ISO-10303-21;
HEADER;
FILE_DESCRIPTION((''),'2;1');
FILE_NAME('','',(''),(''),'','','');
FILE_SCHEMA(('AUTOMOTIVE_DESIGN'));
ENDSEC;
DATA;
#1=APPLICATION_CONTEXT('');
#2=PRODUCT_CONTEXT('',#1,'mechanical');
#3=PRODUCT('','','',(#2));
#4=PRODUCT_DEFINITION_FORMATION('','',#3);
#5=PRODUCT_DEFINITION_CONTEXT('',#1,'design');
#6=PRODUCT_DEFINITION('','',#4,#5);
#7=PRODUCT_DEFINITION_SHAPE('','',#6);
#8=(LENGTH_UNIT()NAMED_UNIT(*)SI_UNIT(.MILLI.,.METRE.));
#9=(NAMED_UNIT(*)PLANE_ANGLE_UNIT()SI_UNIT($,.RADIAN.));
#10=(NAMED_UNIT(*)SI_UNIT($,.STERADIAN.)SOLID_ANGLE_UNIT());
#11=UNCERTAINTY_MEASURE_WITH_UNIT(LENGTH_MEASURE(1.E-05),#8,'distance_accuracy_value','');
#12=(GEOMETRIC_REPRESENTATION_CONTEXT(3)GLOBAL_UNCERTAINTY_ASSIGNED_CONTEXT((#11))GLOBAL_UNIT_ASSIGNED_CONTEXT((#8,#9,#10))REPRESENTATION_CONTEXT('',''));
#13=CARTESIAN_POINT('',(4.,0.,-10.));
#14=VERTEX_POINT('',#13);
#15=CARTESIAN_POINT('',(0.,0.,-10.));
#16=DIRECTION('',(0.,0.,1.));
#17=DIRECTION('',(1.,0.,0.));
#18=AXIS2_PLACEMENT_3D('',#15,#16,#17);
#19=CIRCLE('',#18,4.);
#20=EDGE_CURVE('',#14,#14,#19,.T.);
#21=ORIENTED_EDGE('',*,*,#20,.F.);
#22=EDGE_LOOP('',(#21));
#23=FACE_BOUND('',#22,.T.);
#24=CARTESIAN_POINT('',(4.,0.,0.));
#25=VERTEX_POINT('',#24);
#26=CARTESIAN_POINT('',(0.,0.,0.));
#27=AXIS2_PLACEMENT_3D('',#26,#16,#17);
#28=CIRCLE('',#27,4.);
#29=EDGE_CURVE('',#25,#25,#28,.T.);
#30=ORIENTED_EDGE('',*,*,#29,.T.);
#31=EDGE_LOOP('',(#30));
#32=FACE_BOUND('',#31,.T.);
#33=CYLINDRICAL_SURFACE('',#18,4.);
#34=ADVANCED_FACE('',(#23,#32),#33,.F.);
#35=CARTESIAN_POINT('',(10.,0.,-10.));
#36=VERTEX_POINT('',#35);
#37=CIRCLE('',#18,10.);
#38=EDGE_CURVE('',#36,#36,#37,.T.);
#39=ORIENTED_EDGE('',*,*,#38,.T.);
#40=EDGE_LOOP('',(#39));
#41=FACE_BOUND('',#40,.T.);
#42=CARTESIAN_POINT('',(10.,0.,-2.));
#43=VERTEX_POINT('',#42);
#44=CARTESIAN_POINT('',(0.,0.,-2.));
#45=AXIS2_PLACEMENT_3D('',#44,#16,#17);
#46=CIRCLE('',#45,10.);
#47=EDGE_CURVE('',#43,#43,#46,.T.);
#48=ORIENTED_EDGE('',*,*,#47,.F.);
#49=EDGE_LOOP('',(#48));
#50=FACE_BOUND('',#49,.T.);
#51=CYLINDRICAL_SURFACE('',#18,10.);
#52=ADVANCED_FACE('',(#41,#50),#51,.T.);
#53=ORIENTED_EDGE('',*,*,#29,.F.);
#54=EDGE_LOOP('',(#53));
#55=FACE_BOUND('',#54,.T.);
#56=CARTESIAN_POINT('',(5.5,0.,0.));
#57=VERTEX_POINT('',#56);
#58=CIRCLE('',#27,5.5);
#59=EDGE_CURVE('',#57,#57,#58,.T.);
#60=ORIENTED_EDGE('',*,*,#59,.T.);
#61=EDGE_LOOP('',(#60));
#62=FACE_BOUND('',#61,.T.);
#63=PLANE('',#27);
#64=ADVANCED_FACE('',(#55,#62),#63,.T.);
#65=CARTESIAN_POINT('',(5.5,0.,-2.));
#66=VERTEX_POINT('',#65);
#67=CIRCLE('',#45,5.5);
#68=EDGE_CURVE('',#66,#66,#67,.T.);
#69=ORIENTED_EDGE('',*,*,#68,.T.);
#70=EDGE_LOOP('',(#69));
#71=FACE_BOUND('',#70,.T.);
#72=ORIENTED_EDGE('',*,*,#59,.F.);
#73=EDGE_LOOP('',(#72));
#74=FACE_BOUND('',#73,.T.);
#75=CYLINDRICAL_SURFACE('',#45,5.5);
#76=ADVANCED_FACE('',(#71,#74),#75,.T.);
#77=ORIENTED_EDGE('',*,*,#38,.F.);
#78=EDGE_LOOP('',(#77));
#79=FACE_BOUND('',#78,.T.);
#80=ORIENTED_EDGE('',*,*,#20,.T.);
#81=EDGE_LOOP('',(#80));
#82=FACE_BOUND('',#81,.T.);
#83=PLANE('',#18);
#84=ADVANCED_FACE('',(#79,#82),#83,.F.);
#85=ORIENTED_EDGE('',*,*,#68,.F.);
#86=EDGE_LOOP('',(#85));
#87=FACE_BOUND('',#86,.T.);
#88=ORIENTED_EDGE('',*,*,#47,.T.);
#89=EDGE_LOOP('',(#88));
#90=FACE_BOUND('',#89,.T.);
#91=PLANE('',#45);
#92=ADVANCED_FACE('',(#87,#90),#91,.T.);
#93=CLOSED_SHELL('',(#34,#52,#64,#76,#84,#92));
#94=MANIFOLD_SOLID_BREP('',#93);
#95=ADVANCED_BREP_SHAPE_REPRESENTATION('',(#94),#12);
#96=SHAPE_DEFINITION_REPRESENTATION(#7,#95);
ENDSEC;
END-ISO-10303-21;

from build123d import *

# Parameters (mm, degrees)
SKETCH_1_R          = 10
SKETCH_1_R_2        = 4
EXTRUDE_1_DEPTH     = 10
SKETCH_2_R          = 10
SKETCH_2_R_2        = 5.5
CUT_EXTRUDE_1_DEPTH = 2


with BuildPart() as part:
    # Эскиз1 → Бобышка-Вытянуть1 (new body)
    with BuildSketch(Plane.XY):
        Circle(SKETCH_1_R)
        Circle(SKETCH_1_R_2, mode=Mode.SUBTRACT)
    extrude(amount=-EXTRUDE_1_DEPTH)

    # Эскиз2 → Вырез-Вытянуть1 (cut)
    with BuildSketch(Plane.XY):
        Circle(SKETCH_2_R)
        Circle(SKETCH_2_R_2, mode=Mode.SUBTRACT)
    extrude(amount=-CUT_EXTRUDE_1_DEPTH, mode=Mode.SUBTRACT)


solid = part.part
